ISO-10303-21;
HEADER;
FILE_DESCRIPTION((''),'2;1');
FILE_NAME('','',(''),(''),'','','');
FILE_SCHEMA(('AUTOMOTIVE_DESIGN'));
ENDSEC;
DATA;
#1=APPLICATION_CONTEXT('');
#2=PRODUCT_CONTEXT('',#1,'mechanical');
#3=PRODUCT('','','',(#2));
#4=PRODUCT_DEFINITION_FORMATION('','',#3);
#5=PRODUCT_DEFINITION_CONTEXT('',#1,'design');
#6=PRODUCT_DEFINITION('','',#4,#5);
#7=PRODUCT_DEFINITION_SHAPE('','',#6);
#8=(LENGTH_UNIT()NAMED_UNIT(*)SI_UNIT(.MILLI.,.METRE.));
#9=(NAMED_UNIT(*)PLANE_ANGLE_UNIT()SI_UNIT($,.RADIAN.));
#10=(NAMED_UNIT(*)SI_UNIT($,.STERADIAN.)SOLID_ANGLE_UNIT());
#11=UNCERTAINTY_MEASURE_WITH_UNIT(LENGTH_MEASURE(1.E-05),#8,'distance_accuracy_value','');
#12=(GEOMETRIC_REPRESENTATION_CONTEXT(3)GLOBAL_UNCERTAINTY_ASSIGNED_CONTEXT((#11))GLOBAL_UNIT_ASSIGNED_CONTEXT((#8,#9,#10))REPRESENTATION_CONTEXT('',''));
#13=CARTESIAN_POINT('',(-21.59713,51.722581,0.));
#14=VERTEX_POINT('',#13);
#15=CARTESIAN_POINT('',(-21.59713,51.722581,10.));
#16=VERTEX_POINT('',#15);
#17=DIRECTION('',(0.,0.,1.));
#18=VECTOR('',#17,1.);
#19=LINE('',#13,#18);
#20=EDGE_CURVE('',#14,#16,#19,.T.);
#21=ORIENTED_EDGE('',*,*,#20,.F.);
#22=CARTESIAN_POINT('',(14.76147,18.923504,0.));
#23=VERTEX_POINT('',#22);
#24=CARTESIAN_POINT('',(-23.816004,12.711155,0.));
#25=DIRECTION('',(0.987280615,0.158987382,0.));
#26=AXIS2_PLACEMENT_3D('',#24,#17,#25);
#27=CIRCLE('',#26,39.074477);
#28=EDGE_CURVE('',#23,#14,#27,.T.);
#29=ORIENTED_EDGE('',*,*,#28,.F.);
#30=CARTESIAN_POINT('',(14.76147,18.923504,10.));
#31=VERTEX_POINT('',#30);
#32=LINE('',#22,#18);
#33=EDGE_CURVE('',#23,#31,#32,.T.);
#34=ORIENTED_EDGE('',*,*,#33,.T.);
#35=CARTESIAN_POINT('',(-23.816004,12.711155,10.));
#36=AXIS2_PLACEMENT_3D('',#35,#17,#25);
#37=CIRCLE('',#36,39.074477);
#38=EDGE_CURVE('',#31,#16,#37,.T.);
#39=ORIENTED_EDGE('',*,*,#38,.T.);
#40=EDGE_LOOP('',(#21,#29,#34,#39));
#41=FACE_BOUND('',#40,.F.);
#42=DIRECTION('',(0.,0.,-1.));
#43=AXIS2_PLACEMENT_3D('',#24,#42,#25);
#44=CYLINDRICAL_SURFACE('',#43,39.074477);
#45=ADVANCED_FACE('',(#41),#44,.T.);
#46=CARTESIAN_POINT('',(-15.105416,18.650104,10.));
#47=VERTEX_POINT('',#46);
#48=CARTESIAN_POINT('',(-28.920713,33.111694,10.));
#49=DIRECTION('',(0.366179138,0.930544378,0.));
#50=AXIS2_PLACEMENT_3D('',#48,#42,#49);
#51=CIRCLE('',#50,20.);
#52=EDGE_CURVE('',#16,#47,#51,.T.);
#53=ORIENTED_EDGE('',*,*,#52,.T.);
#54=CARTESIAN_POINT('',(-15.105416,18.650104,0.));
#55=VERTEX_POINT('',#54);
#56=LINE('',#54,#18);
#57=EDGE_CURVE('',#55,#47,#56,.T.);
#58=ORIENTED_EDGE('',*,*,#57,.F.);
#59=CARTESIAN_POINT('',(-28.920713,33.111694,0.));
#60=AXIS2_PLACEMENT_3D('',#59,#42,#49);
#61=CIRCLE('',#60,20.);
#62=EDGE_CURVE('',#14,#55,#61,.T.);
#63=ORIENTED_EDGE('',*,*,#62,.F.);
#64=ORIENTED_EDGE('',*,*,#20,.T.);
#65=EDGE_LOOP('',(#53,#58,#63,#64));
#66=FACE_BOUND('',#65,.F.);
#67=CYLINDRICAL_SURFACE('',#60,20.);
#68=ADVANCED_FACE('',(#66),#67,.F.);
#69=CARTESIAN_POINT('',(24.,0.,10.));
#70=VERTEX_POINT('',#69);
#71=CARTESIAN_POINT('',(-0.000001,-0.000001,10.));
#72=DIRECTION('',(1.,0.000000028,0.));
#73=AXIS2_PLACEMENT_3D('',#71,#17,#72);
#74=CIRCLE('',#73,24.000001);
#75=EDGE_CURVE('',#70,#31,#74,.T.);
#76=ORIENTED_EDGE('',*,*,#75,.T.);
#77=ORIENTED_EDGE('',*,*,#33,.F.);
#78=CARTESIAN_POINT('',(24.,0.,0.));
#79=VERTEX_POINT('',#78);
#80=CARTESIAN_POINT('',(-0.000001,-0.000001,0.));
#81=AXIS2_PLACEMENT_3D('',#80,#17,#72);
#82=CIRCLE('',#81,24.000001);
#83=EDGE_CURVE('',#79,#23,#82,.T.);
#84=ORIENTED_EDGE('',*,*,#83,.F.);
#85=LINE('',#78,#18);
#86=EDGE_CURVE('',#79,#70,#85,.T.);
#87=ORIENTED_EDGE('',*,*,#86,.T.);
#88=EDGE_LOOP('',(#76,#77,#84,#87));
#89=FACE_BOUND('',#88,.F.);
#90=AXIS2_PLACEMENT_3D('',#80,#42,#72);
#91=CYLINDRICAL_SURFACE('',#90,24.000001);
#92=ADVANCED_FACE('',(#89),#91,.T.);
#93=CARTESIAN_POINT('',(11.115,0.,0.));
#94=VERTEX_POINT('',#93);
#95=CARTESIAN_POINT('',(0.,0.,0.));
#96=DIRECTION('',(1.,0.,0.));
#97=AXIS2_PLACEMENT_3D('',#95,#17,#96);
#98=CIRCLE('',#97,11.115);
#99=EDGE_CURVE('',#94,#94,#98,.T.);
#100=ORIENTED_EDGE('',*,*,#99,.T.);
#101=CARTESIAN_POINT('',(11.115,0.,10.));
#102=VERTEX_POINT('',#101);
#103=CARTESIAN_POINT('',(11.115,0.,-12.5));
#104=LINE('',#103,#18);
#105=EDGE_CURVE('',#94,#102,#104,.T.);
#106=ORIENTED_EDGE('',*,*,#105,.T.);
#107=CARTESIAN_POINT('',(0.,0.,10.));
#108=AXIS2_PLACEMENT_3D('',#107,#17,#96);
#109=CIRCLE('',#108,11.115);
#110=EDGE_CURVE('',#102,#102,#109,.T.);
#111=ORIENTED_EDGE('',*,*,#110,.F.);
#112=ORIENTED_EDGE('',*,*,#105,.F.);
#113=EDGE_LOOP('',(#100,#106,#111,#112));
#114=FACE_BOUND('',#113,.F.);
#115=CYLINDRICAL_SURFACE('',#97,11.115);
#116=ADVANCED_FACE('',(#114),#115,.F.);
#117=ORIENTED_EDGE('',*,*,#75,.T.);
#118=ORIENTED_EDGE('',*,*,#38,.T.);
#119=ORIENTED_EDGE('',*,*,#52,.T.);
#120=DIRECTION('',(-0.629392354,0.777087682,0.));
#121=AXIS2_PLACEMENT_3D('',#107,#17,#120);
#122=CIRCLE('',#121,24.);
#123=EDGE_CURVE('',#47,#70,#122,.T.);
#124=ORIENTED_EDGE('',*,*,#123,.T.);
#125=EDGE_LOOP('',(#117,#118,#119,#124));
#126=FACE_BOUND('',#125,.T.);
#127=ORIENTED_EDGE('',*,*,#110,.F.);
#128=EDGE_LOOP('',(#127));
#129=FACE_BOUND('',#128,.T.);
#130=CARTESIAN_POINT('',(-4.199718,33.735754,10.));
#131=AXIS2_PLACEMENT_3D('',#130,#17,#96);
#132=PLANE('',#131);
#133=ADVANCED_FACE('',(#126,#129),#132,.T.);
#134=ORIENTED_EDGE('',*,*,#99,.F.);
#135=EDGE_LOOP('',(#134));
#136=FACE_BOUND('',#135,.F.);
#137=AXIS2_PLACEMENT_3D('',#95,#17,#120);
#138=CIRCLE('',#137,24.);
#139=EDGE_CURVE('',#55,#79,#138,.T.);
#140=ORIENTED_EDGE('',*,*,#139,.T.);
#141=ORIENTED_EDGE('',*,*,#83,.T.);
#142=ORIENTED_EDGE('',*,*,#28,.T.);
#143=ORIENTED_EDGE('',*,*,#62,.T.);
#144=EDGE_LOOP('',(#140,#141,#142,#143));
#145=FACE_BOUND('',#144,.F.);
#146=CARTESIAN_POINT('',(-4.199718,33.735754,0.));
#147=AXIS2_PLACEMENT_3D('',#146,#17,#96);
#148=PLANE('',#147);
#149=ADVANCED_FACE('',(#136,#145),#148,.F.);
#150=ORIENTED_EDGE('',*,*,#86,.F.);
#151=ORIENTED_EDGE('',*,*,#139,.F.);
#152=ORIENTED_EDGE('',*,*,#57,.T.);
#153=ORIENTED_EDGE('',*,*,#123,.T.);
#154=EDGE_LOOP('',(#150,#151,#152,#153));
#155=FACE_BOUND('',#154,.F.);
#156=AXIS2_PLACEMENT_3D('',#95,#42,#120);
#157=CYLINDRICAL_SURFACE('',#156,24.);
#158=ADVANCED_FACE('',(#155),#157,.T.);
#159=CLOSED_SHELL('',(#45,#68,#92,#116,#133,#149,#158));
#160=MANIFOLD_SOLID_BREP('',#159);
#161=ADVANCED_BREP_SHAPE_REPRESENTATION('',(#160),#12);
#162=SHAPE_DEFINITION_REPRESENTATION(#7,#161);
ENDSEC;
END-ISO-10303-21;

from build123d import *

# Parameters (mm, degrees)
F2_DEPTH = 10
F0_R     = 11.115
F3_DEPTH = 12.5


with BuildPart() as f2:
    # F1 (on Top) → F2 (new body)
    with BuildSketch(Plane.XY):
        with BuildLine():
            ThreePointArc((-15.105416, 18.650104), (-0.219685, 23.998995), (14.76147, 18.923504))
            ThreePointArc((14.76147, 18.923504), (2.357081, 41.724676), (-21.59713, 51.722581))
            ThreePointArc((-21.59713, 51.722581), (-9.295213, 36.963934), (-15.105416, 18.650104))
        make_face()
        with BuildLine():
            ThreePointArc((-15.105416, 18.650104), (-10.331263, -21.662525), (24, 0))
            ThreePointArc((24, 0), (21.56705, 10.529119), (14.76147, 18.923504))
            ThreePointArc((14.76147, 18.923504), (-0.219685, 23.998995), (-15.105416, 18.650104))
        make_face()
    extrude(amount=F2_DEPTH)

    # F0 (on Top) → F3 (cut, symmetric)
    with BuildSketch(Plane.XY):
        Circle(F0_R)
    extrude(amount=F3_DEPTH, both=True, mode=Mode.SUBTRACT)


solid = f2.part
